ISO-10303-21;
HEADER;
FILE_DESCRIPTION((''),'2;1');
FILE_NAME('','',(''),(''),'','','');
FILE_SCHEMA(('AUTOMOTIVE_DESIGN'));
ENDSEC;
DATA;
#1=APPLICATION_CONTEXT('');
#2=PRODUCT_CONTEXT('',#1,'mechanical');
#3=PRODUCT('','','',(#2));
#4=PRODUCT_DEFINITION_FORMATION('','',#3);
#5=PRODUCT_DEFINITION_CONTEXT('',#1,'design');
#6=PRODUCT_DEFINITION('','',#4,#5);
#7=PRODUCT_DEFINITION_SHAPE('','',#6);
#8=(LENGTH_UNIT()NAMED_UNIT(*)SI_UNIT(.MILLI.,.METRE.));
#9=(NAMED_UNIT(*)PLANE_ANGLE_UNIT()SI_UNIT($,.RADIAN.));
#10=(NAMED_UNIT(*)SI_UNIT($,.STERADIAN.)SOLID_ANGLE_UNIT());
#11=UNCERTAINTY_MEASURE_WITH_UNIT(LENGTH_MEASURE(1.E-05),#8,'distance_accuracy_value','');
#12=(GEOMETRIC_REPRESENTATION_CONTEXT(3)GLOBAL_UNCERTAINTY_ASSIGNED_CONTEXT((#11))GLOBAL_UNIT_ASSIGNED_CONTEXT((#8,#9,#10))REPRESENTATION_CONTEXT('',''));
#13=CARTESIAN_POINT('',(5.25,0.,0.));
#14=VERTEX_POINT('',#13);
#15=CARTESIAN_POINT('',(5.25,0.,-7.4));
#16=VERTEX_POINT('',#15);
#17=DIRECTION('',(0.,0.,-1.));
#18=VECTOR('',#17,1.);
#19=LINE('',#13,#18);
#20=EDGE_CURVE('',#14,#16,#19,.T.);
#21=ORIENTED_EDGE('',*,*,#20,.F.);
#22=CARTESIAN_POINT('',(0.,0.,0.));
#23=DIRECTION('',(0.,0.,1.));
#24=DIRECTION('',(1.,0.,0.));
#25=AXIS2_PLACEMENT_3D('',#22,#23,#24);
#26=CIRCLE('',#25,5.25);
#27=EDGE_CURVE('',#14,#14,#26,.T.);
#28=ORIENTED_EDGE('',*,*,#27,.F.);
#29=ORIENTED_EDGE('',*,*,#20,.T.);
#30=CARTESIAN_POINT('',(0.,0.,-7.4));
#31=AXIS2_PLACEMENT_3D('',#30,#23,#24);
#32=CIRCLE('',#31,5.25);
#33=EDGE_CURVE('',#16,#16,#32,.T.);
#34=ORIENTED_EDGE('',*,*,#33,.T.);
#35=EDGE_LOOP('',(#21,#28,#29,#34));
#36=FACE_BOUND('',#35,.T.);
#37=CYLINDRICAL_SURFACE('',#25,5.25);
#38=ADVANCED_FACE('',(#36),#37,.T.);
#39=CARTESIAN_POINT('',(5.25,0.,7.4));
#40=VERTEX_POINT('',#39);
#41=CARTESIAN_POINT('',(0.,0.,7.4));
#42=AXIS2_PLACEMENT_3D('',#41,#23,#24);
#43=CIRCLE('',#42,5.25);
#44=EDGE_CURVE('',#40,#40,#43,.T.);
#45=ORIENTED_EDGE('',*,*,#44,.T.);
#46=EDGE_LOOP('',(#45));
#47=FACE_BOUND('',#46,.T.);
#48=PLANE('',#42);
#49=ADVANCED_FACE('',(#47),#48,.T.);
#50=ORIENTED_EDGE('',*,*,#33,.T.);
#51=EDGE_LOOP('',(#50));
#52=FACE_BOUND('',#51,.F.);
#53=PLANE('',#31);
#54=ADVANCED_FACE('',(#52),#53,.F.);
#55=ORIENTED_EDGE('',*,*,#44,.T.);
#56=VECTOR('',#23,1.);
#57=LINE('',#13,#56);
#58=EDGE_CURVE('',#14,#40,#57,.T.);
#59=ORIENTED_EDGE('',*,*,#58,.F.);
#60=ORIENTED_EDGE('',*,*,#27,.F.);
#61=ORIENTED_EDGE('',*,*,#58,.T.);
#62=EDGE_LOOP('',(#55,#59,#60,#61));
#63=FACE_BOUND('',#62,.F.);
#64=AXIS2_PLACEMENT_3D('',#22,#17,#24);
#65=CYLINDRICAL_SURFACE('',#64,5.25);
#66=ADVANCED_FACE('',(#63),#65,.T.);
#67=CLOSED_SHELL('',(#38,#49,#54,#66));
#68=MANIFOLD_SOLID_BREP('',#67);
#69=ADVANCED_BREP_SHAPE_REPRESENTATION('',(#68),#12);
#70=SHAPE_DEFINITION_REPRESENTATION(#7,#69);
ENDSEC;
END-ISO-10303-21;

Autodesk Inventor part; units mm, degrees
ref_plane "YZ Plane" through (0, 0, 0) normal (1, 0, 0) x (0, 1, 0)
ref_plane "XZ Plane" through (0, 0, 0) normal (0, 1, 0) x (-1, 0, 0)
ref_plane "XY Plane" through (0, 0, 0) normal (0, 0, 1) x (1, 0, 0)
sketch "Skizze1" plane through (0, 0, 0) normal (0, 0, 1) x (1, 0, 0)
  circle A0 centre (0, 0) radius 5.25
  dimension "d0" = 10.5
extrude "Extrusion1" add sketch "Skizze1" along normal mid plane 14.8
properties part number "GP17AAAH"
